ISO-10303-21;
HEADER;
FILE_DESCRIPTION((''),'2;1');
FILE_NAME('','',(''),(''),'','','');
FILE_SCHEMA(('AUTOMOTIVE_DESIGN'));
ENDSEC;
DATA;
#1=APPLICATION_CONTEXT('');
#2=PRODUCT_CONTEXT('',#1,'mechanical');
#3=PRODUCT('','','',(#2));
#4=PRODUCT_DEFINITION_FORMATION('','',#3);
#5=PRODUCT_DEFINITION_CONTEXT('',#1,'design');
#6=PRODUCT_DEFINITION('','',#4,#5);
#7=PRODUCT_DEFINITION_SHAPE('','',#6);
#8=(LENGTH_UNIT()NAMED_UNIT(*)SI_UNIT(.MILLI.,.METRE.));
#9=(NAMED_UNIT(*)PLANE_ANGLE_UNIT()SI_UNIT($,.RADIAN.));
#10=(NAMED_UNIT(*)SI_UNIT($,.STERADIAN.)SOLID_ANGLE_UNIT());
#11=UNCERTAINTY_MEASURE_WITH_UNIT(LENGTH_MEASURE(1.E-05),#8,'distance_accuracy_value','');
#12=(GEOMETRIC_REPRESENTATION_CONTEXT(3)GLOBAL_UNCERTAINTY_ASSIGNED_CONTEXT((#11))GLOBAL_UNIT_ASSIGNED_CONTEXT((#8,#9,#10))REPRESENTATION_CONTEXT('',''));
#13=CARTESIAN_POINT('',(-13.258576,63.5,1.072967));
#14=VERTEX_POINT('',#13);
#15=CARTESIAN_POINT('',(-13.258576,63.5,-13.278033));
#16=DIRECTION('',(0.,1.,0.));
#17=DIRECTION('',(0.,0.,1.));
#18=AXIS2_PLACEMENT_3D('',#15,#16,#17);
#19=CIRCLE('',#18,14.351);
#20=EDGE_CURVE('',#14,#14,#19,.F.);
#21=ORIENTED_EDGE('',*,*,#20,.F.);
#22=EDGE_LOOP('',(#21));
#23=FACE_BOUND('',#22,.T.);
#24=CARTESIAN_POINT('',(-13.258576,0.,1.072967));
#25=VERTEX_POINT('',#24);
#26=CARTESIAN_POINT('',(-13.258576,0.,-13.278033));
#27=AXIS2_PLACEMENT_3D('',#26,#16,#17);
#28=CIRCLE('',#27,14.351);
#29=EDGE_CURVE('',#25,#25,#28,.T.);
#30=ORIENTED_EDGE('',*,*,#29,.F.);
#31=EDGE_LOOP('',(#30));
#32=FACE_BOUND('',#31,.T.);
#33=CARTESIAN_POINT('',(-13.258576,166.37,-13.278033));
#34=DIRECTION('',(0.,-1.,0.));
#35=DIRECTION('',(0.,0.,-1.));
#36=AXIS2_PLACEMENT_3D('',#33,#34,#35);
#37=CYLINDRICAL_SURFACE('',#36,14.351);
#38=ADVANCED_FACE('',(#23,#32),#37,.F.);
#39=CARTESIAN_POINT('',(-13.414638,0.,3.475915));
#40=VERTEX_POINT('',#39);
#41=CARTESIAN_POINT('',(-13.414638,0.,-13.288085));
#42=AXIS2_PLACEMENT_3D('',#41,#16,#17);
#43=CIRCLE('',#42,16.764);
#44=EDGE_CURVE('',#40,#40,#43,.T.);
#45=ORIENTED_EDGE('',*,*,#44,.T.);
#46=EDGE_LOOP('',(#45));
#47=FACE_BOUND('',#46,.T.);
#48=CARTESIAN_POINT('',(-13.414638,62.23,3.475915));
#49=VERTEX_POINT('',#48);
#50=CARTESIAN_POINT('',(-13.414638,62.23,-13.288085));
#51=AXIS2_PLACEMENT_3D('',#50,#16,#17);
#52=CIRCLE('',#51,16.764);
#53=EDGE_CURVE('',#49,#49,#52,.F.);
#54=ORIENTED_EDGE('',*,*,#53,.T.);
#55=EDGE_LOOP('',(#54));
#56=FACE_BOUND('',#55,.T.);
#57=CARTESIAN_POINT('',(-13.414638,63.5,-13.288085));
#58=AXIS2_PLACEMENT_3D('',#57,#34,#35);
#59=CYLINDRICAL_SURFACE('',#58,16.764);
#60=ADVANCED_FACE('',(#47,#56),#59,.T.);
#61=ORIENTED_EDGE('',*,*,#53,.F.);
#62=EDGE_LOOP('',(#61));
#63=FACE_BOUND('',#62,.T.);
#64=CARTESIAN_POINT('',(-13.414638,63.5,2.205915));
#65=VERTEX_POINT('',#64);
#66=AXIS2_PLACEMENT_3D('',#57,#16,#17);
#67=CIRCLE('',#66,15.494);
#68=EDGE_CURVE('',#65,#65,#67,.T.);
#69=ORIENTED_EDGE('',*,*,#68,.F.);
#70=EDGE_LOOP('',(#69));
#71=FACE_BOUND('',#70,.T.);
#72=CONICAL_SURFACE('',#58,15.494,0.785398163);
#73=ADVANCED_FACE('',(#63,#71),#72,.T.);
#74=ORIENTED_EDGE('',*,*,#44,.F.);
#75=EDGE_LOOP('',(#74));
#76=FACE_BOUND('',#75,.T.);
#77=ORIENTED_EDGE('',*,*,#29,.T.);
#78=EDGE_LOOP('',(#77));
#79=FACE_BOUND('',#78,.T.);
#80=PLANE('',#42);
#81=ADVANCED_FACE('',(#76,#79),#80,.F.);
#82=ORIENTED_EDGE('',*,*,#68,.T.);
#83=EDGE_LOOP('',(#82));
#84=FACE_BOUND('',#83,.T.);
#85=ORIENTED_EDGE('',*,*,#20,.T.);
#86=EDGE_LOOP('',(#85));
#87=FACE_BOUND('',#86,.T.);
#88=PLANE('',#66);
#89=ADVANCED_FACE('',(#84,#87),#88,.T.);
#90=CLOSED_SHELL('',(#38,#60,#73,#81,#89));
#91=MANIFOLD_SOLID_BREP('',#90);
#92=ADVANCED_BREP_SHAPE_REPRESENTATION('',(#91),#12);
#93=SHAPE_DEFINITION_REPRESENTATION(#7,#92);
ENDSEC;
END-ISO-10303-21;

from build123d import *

# Parameters (mm, degrees)
SKETCH1_R           = 16.764
BOSS_EXTRUDE1_DEPTH = 63.5
SKETCH2_R           = 14.351
CUT_EXTRUDE1_DEPTH  = 166.37
CHAMFER1_SIZE       = 1.27


with BuildPart() as part:
    # Sketch1 → Boss-Extrude1 (new body)
    with BuildSketch(Plane(origin=(0, 0, 0), x_dir=(1, 0, 0), z_dir=(0, 1, 0))):
        with Locations((-13.41463778, 13.288084593)):
            Circle(SKETCH1_R)
    extrude(amount=BOSS_EXTRUDE1_DEPTH)

    # Sketch2 → Cut-Extrude1 (cut)
    with BuildSketch(Plane(origin=(0, 0, 0), x_dir=(1, 0, 0), z_dir=(0, 1, 0))):
        with Locations((-13.258576493, 13.278033005)):
            Circle(SKETCH2_R)
    extrude(amount=CUT_EXTRUDE1_DEPTH, mode=Mode.SUBTRACT)

    # Chamfer1
    chamfer1_edges = [part.edges().sort_by_distance(p)[0] for p in [
        (-30.17863778, 63.5, -13.288084593),
    ]]
    chamfer(chamfer1_edges, length=CHAMFER1_SIZE)


solid = part.part
